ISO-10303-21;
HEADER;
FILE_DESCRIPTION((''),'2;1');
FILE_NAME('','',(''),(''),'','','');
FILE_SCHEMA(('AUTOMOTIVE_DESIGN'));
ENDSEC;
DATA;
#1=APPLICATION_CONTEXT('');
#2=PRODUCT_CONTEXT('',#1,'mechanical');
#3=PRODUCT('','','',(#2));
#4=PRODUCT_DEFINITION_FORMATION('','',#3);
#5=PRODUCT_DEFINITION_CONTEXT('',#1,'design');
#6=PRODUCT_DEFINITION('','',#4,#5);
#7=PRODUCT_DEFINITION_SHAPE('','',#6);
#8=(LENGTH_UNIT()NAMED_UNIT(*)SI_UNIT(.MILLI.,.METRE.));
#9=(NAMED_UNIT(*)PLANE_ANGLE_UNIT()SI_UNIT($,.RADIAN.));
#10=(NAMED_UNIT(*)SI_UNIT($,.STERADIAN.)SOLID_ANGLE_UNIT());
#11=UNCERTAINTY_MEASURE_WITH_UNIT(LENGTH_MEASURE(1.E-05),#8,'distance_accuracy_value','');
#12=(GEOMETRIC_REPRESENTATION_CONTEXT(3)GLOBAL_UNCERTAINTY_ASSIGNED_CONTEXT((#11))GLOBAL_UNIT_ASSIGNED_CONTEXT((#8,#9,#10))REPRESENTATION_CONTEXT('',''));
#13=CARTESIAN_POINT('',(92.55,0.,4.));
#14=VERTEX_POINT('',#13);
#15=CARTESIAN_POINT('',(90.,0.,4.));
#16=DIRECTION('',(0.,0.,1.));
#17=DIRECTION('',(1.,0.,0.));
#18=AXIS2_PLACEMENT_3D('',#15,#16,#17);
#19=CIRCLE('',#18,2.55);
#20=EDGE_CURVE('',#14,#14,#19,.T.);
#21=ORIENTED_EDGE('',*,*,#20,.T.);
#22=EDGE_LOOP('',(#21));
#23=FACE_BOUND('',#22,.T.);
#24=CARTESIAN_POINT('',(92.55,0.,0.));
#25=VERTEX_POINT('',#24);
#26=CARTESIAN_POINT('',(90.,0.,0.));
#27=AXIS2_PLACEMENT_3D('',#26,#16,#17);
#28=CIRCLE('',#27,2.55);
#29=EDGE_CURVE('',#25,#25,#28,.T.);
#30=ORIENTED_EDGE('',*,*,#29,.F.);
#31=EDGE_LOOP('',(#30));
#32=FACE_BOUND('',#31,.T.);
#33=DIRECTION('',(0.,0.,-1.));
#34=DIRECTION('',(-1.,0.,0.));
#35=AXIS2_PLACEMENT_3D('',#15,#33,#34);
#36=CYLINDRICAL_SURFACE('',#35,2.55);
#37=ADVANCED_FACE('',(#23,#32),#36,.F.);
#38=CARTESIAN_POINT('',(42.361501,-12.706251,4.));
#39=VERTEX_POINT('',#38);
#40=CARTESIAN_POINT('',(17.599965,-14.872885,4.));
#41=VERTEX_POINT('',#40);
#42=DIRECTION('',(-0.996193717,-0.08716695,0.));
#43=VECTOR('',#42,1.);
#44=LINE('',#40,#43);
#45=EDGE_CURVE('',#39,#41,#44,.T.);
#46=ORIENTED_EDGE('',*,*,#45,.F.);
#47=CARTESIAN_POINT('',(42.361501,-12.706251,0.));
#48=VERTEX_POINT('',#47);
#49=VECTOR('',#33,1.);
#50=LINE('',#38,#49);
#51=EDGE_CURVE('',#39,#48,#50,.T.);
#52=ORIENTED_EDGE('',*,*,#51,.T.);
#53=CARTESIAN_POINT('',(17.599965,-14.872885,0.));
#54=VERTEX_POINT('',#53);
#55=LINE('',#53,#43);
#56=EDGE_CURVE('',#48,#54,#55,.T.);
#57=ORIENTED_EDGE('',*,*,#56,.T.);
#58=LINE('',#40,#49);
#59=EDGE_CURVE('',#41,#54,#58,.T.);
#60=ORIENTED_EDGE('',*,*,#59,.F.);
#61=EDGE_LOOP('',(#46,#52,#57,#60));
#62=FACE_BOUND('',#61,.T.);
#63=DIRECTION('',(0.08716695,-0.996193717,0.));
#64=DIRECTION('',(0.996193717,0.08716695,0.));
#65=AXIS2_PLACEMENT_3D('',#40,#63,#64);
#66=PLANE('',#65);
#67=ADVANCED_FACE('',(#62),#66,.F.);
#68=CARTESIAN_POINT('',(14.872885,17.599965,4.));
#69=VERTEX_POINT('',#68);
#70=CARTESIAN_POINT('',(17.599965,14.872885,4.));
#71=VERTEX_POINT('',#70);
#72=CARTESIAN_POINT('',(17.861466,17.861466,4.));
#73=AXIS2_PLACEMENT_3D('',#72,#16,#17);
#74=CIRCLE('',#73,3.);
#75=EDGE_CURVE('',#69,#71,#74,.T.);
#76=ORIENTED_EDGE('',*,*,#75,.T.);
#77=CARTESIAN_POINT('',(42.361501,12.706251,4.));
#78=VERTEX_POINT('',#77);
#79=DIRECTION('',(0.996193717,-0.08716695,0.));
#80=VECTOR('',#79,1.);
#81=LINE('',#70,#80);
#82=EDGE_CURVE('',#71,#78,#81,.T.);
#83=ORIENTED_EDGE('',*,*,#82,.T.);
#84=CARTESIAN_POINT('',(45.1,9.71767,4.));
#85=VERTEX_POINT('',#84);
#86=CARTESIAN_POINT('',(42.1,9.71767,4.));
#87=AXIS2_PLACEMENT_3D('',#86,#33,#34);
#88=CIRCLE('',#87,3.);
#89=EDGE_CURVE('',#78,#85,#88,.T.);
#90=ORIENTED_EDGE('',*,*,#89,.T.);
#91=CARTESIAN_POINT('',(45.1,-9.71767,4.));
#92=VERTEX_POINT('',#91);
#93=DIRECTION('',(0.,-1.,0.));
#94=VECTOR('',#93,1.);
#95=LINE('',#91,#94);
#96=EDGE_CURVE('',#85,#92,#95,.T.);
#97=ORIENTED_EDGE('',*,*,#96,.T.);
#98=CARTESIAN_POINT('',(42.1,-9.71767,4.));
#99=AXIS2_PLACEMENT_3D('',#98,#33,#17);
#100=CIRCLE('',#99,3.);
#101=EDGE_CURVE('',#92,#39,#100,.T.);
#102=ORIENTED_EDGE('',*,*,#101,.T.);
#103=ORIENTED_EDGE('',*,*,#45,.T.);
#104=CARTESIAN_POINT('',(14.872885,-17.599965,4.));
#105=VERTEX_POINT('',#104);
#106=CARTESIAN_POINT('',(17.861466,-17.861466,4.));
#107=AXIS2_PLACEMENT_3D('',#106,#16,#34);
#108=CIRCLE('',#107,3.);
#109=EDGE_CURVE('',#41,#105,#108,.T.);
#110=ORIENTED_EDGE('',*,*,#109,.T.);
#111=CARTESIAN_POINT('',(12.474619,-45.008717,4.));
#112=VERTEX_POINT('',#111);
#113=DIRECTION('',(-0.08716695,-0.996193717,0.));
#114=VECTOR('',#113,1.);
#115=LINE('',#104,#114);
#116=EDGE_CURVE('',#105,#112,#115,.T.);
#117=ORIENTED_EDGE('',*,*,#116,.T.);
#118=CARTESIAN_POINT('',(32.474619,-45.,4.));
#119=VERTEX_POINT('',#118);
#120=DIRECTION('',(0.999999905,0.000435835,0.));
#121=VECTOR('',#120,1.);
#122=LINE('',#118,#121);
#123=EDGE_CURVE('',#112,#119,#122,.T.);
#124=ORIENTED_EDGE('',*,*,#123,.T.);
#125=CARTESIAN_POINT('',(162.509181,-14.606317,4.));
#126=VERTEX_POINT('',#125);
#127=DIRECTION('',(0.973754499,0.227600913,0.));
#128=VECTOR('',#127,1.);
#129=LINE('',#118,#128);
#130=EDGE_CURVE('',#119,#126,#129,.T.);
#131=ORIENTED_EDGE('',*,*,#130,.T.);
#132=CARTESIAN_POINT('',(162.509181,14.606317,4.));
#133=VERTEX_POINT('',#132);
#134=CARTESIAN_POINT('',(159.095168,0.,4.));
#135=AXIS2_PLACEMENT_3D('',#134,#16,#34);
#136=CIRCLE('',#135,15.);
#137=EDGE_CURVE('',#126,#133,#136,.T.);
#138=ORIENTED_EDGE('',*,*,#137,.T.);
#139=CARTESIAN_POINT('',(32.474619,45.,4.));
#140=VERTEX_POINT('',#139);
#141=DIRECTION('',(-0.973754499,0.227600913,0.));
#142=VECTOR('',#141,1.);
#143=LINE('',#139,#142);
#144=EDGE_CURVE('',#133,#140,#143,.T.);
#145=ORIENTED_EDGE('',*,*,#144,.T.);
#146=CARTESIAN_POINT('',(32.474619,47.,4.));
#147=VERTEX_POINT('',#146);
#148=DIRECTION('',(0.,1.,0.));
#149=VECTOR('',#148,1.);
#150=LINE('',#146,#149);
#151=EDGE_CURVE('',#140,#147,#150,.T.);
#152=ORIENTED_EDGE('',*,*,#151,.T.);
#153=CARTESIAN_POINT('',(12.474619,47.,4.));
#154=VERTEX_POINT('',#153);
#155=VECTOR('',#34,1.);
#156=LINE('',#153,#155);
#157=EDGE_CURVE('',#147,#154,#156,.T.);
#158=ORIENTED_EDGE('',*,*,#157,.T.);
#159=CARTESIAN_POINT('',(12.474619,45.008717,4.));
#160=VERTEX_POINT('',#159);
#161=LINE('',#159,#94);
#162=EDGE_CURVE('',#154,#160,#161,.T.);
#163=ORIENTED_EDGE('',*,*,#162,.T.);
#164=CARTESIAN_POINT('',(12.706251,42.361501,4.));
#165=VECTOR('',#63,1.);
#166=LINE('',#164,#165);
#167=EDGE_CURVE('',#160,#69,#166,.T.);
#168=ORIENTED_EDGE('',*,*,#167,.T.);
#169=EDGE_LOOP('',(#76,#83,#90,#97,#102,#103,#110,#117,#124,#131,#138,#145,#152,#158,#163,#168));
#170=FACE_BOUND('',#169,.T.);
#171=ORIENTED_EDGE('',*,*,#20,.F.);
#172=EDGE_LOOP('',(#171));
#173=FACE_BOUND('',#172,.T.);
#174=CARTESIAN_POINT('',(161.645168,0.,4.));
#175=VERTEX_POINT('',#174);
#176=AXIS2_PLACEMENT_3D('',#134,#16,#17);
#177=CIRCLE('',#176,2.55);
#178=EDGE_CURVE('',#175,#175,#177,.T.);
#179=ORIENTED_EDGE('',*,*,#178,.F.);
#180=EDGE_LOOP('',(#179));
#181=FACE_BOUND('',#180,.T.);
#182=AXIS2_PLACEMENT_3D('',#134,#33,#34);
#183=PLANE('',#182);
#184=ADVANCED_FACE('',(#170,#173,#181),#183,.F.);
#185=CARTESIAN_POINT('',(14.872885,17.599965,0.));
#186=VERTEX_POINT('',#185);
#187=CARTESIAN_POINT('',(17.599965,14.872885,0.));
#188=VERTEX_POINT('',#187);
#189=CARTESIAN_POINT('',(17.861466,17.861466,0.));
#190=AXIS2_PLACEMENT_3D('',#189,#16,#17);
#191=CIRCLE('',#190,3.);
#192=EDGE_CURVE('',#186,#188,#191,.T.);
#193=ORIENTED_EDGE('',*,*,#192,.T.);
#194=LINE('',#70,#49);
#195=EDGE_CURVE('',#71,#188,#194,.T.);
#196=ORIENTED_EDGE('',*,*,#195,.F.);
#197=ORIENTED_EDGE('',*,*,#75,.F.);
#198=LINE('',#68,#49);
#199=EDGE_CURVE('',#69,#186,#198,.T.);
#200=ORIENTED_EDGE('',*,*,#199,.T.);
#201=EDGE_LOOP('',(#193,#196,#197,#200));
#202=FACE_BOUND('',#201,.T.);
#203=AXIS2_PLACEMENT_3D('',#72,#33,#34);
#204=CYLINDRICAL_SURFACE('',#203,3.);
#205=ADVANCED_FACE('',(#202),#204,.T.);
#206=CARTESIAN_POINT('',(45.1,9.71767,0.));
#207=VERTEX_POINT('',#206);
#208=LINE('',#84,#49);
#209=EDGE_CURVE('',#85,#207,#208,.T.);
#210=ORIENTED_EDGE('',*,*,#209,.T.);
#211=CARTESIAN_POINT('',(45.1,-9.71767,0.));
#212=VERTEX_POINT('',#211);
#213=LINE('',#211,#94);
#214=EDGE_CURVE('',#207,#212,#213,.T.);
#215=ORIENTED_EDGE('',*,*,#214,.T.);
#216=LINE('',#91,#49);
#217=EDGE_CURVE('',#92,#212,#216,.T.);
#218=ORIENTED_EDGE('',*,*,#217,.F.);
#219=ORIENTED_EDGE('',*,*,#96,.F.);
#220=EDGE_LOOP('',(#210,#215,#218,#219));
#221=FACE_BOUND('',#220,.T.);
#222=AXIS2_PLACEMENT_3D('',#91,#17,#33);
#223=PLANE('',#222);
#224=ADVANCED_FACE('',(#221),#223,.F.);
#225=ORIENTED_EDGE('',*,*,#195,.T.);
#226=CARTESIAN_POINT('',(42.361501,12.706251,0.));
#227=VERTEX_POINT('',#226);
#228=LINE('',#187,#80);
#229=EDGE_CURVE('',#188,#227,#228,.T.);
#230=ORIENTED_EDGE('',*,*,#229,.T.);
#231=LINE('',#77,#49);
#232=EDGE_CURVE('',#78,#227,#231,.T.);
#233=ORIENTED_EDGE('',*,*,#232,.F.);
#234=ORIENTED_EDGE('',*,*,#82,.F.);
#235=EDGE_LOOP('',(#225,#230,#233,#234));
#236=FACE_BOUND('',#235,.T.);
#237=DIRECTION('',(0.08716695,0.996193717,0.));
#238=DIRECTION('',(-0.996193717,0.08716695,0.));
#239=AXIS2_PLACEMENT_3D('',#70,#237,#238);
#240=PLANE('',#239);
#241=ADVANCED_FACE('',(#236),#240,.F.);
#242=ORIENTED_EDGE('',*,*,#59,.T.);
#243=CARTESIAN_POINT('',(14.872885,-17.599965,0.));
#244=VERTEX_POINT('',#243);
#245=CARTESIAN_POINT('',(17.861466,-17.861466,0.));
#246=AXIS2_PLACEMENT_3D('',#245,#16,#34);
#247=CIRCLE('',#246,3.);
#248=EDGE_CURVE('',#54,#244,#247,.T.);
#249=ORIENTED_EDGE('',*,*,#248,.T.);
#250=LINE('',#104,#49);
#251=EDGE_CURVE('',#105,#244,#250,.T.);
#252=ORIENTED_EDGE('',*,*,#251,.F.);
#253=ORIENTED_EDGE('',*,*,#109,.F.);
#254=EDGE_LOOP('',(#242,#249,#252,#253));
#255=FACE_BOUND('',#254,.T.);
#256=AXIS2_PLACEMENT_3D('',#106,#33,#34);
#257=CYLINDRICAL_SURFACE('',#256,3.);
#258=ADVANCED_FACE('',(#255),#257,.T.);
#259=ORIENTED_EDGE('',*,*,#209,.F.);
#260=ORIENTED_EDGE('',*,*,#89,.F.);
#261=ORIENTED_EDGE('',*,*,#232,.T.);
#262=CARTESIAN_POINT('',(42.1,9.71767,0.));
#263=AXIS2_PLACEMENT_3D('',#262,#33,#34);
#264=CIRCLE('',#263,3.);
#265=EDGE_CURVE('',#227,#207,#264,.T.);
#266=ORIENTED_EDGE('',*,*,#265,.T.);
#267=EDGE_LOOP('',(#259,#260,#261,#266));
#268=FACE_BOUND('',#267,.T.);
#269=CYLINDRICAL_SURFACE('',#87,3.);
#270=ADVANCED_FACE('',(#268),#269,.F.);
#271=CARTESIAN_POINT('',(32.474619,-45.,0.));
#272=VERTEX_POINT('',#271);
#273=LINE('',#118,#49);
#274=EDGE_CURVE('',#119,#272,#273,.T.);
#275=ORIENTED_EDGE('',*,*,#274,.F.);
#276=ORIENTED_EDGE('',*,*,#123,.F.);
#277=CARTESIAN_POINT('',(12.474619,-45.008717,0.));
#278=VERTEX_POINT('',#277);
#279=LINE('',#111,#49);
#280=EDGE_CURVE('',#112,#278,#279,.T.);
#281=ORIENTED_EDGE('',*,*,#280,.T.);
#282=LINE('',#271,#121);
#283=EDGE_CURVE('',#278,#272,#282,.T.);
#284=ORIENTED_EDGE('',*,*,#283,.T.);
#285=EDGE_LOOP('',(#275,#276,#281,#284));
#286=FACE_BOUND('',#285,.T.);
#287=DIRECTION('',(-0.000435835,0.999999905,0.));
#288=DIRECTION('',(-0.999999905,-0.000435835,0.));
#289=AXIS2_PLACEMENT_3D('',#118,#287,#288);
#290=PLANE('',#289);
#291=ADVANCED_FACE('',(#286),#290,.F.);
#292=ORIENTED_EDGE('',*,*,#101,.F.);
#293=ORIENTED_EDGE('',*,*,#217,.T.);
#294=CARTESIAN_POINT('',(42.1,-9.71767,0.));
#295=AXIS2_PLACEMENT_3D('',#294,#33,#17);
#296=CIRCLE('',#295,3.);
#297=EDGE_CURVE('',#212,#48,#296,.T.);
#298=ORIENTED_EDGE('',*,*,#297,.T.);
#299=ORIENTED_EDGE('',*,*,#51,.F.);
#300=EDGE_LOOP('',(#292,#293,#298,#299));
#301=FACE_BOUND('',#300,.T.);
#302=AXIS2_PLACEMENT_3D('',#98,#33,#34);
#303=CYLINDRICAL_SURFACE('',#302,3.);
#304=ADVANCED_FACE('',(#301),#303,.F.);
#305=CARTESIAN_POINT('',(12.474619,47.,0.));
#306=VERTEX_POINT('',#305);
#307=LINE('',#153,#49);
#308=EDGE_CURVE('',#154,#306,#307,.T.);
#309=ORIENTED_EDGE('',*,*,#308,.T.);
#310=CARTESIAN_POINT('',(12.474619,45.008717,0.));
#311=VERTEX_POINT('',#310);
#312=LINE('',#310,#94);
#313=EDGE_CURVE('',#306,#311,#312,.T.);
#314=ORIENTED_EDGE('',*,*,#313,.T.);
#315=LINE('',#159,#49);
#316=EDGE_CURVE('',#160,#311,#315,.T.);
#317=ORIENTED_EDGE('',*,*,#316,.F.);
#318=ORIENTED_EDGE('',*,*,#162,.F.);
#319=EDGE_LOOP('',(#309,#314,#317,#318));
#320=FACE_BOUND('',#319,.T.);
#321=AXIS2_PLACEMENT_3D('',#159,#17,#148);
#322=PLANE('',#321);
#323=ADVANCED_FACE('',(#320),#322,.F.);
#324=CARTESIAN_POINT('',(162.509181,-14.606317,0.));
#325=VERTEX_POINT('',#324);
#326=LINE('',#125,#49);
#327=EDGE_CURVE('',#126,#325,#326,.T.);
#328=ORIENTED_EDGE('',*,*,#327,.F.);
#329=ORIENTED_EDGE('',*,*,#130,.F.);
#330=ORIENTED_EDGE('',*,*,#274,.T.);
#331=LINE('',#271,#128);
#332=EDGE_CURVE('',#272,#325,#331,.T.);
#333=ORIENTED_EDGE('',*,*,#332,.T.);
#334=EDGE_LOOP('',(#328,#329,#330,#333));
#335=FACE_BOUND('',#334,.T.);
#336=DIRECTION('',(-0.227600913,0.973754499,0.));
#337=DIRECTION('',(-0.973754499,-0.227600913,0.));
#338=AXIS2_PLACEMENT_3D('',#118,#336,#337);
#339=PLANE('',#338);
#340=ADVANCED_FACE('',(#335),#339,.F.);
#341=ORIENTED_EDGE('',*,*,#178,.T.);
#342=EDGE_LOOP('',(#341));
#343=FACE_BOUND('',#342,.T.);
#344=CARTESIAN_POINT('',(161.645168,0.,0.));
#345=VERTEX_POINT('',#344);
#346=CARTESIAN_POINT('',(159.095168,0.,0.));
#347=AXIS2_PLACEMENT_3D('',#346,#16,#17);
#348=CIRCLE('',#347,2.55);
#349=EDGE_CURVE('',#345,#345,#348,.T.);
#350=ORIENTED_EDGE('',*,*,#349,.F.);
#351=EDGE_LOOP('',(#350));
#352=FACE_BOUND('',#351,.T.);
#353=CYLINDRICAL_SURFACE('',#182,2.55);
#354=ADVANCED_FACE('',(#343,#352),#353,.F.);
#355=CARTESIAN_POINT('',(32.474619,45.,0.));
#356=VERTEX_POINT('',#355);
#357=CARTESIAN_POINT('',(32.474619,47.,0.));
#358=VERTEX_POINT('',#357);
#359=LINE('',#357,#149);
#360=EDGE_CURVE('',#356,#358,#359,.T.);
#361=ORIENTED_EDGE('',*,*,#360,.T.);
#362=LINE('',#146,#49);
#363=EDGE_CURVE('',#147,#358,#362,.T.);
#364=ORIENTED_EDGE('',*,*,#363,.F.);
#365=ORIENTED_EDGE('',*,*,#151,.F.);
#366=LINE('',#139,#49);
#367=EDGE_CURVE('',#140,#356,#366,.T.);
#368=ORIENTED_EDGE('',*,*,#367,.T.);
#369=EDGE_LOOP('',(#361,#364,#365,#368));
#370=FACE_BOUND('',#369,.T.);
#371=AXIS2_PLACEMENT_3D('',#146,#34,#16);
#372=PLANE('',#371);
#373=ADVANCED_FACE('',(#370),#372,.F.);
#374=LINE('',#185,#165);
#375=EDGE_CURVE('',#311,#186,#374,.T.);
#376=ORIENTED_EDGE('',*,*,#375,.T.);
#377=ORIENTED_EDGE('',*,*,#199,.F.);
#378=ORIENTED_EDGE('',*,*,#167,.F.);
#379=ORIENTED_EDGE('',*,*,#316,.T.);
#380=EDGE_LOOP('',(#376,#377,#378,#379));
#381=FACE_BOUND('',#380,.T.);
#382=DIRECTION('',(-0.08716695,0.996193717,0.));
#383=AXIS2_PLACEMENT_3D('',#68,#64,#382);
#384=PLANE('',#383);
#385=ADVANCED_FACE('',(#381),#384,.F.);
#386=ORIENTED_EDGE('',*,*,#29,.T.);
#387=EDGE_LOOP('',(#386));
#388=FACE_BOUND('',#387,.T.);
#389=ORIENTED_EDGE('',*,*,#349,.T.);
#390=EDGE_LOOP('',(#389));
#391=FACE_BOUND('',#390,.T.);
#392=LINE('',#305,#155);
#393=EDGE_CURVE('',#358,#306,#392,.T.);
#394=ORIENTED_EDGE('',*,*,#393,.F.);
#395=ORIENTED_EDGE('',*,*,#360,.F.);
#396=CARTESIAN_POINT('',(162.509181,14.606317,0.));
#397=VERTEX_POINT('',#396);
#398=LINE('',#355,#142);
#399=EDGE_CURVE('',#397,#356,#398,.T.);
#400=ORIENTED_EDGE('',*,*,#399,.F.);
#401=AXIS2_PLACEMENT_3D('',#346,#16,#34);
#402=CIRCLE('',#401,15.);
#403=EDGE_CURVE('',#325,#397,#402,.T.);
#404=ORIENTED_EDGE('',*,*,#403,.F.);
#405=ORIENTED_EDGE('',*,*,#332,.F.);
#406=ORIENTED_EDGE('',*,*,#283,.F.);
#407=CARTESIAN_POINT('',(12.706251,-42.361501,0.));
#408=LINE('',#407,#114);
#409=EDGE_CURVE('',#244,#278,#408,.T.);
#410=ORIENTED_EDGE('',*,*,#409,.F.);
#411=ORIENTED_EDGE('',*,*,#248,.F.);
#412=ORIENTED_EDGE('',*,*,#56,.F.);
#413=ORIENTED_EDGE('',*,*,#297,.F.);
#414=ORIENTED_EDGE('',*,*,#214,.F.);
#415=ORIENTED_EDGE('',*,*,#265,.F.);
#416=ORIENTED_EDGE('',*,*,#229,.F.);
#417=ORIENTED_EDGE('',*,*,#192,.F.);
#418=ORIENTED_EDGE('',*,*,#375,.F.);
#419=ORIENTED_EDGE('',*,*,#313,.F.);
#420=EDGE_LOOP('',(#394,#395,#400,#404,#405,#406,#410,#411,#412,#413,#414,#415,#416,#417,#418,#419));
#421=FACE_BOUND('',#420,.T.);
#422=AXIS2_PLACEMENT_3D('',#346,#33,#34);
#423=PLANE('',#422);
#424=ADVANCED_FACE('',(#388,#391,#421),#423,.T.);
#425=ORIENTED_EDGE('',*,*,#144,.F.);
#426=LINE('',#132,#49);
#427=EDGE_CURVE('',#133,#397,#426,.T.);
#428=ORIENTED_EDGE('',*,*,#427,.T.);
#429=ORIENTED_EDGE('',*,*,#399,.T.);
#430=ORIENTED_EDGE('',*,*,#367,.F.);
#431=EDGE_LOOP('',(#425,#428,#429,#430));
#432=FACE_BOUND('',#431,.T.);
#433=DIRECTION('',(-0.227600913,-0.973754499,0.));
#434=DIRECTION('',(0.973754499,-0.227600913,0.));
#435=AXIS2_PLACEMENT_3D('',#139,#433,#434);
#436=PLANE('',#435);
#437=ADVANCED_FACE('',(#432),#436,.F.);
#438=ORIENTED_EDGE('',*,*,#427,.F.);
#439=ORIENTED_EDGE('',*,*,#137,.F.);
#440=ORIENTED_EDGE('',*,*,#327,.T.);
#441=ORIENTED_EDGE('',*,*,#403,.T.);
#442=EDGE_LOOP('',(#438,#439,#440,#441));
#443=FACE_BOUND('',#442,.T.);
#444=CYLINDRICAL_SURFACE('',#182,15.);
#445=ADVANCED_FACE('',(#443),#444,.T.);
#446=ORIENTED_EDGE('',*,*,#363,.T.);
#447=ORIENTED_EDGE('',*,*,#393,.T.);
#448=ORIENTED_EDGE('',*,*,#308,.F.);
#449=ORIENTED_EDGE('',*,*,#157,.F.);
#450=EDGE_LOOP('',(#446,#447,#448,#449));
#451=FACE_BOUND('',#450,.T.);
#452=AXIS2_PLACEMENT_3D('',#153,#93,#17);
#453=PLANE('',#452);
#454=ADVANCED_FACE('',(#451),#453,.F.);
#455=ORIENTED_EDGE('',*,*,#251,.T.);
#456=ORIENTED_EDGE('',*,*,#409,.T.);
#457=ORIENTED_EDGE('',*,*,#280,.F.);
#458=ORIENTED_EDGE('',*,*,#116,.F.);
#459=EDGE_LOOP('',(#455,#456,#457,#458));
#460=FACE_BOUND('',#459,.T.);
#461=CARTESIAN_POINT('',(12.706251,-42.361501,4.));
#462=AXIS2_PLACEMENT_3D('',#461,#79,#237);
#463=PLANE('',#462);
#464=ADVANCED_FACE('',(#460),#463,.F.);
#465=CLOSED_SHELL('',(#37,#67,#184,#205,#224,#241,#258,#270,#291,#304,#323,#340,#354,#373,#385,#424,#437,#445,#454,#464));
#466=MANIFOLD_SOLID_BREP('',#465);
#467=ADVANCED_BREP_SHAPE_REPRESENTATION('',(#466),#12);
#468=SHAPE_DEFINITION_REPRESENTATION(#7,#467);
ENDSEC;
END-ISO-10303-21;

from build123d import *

# Parameters (mm, degrees)
SKETCH1_R           = 2.55
BOSS_EXTRUDE1_DEPTH = 4


with BuildPart() as part:
    # Sketch1 → Boss-Extrude1 (new body)
    with BuildSketch(Plane.XY):
        with BuildLine():
            Line((14.872885109, 17.599965411), (12.706250758, 42.361500851))
            Line((12.706250758, 42.361500851), (12.474619372, 45.008716695))
            Line((12.474619372, 45.008716695), (12.474619372, 47))
            Line((12.474619372, 47), (32.474619372, 47))
            Line((32.474619372, 47), (32.474619372, 45))
            Line((32.474619372, 45), (162.509181482, 14.606317485))
            ThreePointArc((162.509181482, 14.606317485), (174.095167783, 0), (162.509181482, -14.606317485))
            Line((162.509181482, -14.606317485), (32.474619372, -45))
            Line((32.474619372, -45), (12.474619372, -45.008716695))
            Line((12.474619372, -45.008716695), (12.706250758, -42.361500851))
            Line((12.706250758, -42.361500851), (14.872885109, -17.599965411))
            ThreePointArc((14.872885109, -17.599965411), (15.740145918, -15.740145918), (17.599965411, -14.872885109))
            Line((17.599965411, -14.872885109), (42.361500851, -12.706250758))
            ThreePointArc((42.361500851, -12.706250758), (44.311843411, -11.744427787), (45.1, -9.717669606))
            Line((45.1, -9.717669606), (45.1, 9.717669606))
            ThreePointArc((45.1, 9.717669606), (44.311843411, 11.744427787), (42.361500851, 12.706250758))
            Line((42.361500851, 12.706250758), (17.599965411, 14.872885109))
            ThreePointArc((17.599965411, 14.872885109), (15.740145918, 15.740145918), (14.872885109, 17.599965411))
        make_face()
        with Locations((159.095167783, 0)):
            Circle(SKETCH1_R, mode=Mode.SUBTRACT)
        with Locations((90, 0)):
            Circle(SKETCH1_R, mode=Mode.SUBTRACT)
    extrude(amount=BOSS_EXTRUDE1_DEPTH)


solid = part.part
